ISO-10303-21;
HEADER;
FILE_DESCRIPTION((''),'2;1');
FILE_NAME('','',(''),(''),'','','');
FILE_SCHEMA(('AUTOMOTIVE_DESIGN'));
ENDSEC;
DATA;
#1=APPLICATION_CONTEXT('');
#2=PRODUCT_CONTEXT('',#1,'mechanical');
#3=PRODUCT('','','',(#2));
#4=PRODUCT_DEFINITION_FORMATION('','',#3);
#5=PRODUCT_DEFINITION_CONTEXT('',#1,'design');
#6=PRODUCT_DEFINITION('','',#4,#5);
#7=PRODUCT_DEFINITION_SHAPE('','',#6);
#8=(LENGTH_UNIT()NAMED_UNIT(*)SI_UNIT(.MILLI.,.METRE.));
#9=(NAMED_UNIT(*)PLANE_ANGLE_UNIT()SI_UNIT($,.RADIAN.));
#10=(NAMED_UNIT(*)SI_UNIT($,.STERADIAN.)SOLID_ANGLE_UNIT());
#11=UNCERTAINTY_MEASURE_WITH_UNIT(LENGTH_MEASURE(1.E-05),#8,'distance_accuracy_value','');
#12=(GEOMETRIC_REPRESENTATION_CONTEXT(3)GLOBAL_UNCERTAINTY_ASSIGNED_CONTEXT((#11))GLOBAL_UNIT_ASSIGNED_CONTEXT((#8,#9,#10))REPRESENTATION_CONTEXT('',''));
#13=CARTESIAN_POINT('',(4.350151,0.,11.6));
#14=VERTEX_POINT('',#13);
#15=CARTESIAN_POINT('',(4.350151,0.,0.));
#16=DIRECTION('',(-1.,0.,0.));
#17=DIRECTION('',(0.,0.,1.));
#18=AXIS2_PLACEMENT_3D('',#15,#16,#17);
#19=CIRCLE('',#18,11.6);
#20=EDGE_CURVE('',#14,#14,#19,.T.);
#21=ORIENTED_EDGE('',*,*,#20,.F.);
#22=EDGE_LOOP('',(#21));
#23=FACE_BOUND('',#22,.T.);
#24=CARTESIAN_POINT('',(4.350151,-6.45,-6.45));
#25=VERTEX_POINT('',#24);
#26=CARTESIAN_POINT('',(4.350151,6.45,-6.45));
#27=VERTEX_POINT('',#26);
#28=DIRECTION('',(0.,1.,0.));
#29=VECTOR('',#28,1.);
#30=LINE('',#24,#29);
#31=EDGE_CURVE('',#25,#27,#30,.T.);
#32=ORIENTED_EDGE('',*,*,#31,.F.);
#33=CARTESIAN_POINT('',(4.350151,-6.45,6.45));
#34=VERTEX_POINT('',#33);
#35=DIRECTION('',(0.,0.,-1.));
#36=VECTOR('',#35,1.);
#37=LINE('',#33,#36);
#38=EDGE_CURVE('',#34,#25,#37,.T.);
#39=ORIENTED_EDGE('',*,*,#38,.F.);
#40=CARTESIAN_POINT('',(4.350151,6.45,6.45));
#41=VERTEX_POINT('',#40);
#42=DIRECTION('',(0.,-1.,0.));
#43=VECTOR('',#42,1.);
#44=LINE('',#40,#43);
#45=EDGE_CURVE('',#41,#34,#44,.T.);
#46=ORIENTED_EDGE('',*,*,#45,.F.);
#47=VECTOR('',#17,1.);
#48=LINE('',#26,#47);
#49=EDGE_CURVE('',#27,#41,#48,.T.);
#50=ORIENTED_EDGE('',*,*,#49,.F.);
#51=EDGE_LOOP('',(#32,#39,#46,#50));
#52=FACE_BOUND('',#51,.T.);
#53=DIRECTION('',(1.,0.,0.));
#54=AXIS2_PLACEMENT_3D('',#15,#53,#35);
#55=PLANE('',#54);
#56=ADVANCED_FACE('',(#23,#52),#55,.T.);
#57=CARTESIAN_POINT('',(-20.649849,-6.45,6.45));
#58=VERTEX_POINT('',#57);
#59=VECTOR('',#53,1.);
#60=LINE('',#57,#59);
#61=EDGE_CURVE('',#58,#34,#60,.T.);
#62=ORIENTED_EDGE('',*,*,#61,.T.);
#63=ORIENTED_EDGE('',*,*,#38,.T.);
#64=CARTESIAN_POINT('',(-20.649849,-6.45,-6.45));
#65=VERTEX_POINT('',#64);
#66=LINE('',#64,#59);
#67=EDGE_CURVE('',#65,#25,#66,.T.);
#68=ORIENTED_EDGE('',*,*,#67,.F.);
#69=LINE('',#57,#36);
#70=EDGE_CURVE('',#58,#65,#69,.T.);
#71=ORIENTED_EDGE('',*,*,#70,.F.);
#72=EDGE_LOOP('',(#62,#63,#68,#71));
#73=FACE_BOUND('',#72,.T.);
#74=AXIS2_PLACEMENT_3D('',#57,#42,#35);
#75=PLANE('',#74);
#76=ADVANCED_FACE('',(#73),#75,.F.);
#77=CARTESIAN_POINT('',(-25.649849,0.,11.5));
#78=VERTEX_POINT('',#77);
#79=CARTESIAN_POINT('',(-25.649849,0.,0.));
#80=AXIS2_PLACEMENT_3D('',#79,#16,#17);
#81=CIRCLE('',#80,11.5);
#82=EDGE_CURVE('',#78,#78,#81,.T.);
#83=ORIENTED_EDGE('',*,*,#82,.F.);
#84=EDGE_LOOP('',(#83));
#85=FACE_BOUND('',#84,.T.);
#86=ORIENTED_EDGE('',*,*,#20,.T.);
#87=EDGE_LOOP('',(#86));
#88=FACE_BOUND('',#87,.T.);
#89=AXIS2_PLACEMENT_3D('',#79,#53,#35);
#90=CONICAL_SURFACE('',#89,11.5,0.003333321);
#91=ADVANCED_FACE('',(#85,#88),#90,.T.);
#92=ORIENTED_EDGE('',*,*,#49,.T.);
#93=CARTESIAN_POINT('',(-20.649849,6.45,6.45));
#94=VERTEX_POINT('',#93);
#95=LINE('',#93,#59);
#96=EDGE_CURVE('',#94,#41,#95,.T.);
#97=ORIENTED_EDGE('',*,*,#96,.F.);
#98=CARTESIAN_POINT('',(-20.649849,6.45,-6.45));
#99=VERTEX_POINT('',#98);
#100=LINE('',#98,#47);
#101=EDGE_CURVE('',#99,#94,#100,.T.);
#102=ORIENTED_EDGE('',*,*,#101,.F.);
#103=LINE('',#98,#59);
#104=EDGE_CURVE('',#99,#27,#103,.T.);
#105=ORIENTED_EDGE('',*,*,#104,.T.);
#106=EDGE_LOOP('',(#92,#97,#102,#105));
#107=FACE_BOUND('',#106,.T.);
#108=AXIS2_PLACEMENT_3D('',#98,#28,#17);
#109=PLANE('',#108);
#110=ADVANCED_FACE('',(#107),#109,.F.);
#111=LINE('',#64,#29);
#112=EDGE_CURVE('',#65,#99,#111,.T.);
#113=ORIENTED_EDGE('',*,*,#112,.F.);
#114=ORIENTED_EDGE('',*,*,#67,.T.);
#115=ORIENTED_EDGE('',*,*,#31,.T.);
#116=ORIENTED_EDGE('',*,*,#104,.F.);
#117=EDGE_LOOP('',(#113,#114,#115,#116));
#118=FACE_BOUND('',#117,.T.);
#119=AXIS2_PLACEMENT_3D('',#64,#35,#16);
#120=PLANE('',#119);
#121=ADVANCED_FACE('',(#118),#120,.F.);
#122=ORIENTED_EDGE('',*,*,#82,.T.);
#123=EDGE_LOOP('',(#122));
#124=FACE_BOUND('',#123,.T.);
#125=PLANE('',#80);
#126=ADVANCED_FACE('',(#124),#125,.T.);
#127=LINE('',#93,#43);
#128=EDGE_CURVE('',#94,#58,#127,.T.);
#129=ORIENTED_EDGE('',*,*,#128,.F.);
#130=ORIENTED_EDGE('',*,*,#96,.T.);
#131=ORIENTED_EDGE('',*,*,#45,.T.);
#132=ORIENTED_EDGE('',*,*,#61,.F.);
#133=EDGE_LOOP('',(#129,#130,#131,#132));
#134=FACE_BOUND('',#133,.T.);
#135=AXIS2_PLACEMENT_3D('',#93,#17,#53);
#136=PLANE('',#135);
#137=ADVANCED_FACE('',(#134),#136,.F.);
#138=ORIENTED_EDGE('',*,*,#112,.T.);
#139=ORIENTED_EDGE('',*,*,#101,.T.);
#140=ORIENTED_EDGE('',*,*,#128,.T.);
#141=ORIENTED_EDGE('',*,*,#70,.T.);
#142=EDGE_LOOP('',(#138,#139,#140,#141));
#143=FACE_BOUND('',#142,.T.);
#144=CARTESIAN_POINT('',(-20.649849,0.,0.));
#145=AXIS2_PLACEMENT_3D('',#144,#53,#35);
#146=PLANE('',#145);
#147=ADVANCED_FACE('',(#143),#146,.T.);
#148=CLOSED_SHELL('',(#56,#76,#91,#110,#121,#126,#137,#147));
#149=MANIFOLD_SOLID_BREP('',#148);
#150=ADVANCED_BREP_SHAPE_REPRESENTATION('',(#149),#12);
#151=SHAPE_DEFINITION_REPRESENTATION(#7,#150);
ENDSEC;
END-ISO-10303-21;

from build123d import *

# Parameters (mm, degrees)
SKETCH2_W          = 12.9
SKETCH2_H          = 12.9
CUT_EXTRUDE1_DEPTH = 25


with BuildPart() as part:
    # Sketch1 → Revolve1 (revolve)
    with BuildSketch(Plane.XY, mode=Mode.PRIVATE) as revolve1_sk:
        Polygon((-25.64984905, 0), (-25.64984905, -11.5), (4.35015095, -11.6), (4.35015095, 0), align=None)
    revolve(revolve1_sk.sketch.rotate(Axis((-25.64984905, 0, 0), (1, 0, 0)), 270), axis=Axis((-25.64984905, 0, 0), (1, 0, 0)))

    # Sketch2 → Cut-Extrude1 (cut)
    with BuildSketch(Plane(origin=(4.35015095, 0, 0), x_dir=(0, 0, -1), z_dir=(1, 0, 0))):
        Rectangle(SKETCH2_W, SKETCH2_H)
    extrude(amount=-CUT_EXTRUDE1_DEPTH, mode=Mode.SUBTRACT)


solid = part.part
